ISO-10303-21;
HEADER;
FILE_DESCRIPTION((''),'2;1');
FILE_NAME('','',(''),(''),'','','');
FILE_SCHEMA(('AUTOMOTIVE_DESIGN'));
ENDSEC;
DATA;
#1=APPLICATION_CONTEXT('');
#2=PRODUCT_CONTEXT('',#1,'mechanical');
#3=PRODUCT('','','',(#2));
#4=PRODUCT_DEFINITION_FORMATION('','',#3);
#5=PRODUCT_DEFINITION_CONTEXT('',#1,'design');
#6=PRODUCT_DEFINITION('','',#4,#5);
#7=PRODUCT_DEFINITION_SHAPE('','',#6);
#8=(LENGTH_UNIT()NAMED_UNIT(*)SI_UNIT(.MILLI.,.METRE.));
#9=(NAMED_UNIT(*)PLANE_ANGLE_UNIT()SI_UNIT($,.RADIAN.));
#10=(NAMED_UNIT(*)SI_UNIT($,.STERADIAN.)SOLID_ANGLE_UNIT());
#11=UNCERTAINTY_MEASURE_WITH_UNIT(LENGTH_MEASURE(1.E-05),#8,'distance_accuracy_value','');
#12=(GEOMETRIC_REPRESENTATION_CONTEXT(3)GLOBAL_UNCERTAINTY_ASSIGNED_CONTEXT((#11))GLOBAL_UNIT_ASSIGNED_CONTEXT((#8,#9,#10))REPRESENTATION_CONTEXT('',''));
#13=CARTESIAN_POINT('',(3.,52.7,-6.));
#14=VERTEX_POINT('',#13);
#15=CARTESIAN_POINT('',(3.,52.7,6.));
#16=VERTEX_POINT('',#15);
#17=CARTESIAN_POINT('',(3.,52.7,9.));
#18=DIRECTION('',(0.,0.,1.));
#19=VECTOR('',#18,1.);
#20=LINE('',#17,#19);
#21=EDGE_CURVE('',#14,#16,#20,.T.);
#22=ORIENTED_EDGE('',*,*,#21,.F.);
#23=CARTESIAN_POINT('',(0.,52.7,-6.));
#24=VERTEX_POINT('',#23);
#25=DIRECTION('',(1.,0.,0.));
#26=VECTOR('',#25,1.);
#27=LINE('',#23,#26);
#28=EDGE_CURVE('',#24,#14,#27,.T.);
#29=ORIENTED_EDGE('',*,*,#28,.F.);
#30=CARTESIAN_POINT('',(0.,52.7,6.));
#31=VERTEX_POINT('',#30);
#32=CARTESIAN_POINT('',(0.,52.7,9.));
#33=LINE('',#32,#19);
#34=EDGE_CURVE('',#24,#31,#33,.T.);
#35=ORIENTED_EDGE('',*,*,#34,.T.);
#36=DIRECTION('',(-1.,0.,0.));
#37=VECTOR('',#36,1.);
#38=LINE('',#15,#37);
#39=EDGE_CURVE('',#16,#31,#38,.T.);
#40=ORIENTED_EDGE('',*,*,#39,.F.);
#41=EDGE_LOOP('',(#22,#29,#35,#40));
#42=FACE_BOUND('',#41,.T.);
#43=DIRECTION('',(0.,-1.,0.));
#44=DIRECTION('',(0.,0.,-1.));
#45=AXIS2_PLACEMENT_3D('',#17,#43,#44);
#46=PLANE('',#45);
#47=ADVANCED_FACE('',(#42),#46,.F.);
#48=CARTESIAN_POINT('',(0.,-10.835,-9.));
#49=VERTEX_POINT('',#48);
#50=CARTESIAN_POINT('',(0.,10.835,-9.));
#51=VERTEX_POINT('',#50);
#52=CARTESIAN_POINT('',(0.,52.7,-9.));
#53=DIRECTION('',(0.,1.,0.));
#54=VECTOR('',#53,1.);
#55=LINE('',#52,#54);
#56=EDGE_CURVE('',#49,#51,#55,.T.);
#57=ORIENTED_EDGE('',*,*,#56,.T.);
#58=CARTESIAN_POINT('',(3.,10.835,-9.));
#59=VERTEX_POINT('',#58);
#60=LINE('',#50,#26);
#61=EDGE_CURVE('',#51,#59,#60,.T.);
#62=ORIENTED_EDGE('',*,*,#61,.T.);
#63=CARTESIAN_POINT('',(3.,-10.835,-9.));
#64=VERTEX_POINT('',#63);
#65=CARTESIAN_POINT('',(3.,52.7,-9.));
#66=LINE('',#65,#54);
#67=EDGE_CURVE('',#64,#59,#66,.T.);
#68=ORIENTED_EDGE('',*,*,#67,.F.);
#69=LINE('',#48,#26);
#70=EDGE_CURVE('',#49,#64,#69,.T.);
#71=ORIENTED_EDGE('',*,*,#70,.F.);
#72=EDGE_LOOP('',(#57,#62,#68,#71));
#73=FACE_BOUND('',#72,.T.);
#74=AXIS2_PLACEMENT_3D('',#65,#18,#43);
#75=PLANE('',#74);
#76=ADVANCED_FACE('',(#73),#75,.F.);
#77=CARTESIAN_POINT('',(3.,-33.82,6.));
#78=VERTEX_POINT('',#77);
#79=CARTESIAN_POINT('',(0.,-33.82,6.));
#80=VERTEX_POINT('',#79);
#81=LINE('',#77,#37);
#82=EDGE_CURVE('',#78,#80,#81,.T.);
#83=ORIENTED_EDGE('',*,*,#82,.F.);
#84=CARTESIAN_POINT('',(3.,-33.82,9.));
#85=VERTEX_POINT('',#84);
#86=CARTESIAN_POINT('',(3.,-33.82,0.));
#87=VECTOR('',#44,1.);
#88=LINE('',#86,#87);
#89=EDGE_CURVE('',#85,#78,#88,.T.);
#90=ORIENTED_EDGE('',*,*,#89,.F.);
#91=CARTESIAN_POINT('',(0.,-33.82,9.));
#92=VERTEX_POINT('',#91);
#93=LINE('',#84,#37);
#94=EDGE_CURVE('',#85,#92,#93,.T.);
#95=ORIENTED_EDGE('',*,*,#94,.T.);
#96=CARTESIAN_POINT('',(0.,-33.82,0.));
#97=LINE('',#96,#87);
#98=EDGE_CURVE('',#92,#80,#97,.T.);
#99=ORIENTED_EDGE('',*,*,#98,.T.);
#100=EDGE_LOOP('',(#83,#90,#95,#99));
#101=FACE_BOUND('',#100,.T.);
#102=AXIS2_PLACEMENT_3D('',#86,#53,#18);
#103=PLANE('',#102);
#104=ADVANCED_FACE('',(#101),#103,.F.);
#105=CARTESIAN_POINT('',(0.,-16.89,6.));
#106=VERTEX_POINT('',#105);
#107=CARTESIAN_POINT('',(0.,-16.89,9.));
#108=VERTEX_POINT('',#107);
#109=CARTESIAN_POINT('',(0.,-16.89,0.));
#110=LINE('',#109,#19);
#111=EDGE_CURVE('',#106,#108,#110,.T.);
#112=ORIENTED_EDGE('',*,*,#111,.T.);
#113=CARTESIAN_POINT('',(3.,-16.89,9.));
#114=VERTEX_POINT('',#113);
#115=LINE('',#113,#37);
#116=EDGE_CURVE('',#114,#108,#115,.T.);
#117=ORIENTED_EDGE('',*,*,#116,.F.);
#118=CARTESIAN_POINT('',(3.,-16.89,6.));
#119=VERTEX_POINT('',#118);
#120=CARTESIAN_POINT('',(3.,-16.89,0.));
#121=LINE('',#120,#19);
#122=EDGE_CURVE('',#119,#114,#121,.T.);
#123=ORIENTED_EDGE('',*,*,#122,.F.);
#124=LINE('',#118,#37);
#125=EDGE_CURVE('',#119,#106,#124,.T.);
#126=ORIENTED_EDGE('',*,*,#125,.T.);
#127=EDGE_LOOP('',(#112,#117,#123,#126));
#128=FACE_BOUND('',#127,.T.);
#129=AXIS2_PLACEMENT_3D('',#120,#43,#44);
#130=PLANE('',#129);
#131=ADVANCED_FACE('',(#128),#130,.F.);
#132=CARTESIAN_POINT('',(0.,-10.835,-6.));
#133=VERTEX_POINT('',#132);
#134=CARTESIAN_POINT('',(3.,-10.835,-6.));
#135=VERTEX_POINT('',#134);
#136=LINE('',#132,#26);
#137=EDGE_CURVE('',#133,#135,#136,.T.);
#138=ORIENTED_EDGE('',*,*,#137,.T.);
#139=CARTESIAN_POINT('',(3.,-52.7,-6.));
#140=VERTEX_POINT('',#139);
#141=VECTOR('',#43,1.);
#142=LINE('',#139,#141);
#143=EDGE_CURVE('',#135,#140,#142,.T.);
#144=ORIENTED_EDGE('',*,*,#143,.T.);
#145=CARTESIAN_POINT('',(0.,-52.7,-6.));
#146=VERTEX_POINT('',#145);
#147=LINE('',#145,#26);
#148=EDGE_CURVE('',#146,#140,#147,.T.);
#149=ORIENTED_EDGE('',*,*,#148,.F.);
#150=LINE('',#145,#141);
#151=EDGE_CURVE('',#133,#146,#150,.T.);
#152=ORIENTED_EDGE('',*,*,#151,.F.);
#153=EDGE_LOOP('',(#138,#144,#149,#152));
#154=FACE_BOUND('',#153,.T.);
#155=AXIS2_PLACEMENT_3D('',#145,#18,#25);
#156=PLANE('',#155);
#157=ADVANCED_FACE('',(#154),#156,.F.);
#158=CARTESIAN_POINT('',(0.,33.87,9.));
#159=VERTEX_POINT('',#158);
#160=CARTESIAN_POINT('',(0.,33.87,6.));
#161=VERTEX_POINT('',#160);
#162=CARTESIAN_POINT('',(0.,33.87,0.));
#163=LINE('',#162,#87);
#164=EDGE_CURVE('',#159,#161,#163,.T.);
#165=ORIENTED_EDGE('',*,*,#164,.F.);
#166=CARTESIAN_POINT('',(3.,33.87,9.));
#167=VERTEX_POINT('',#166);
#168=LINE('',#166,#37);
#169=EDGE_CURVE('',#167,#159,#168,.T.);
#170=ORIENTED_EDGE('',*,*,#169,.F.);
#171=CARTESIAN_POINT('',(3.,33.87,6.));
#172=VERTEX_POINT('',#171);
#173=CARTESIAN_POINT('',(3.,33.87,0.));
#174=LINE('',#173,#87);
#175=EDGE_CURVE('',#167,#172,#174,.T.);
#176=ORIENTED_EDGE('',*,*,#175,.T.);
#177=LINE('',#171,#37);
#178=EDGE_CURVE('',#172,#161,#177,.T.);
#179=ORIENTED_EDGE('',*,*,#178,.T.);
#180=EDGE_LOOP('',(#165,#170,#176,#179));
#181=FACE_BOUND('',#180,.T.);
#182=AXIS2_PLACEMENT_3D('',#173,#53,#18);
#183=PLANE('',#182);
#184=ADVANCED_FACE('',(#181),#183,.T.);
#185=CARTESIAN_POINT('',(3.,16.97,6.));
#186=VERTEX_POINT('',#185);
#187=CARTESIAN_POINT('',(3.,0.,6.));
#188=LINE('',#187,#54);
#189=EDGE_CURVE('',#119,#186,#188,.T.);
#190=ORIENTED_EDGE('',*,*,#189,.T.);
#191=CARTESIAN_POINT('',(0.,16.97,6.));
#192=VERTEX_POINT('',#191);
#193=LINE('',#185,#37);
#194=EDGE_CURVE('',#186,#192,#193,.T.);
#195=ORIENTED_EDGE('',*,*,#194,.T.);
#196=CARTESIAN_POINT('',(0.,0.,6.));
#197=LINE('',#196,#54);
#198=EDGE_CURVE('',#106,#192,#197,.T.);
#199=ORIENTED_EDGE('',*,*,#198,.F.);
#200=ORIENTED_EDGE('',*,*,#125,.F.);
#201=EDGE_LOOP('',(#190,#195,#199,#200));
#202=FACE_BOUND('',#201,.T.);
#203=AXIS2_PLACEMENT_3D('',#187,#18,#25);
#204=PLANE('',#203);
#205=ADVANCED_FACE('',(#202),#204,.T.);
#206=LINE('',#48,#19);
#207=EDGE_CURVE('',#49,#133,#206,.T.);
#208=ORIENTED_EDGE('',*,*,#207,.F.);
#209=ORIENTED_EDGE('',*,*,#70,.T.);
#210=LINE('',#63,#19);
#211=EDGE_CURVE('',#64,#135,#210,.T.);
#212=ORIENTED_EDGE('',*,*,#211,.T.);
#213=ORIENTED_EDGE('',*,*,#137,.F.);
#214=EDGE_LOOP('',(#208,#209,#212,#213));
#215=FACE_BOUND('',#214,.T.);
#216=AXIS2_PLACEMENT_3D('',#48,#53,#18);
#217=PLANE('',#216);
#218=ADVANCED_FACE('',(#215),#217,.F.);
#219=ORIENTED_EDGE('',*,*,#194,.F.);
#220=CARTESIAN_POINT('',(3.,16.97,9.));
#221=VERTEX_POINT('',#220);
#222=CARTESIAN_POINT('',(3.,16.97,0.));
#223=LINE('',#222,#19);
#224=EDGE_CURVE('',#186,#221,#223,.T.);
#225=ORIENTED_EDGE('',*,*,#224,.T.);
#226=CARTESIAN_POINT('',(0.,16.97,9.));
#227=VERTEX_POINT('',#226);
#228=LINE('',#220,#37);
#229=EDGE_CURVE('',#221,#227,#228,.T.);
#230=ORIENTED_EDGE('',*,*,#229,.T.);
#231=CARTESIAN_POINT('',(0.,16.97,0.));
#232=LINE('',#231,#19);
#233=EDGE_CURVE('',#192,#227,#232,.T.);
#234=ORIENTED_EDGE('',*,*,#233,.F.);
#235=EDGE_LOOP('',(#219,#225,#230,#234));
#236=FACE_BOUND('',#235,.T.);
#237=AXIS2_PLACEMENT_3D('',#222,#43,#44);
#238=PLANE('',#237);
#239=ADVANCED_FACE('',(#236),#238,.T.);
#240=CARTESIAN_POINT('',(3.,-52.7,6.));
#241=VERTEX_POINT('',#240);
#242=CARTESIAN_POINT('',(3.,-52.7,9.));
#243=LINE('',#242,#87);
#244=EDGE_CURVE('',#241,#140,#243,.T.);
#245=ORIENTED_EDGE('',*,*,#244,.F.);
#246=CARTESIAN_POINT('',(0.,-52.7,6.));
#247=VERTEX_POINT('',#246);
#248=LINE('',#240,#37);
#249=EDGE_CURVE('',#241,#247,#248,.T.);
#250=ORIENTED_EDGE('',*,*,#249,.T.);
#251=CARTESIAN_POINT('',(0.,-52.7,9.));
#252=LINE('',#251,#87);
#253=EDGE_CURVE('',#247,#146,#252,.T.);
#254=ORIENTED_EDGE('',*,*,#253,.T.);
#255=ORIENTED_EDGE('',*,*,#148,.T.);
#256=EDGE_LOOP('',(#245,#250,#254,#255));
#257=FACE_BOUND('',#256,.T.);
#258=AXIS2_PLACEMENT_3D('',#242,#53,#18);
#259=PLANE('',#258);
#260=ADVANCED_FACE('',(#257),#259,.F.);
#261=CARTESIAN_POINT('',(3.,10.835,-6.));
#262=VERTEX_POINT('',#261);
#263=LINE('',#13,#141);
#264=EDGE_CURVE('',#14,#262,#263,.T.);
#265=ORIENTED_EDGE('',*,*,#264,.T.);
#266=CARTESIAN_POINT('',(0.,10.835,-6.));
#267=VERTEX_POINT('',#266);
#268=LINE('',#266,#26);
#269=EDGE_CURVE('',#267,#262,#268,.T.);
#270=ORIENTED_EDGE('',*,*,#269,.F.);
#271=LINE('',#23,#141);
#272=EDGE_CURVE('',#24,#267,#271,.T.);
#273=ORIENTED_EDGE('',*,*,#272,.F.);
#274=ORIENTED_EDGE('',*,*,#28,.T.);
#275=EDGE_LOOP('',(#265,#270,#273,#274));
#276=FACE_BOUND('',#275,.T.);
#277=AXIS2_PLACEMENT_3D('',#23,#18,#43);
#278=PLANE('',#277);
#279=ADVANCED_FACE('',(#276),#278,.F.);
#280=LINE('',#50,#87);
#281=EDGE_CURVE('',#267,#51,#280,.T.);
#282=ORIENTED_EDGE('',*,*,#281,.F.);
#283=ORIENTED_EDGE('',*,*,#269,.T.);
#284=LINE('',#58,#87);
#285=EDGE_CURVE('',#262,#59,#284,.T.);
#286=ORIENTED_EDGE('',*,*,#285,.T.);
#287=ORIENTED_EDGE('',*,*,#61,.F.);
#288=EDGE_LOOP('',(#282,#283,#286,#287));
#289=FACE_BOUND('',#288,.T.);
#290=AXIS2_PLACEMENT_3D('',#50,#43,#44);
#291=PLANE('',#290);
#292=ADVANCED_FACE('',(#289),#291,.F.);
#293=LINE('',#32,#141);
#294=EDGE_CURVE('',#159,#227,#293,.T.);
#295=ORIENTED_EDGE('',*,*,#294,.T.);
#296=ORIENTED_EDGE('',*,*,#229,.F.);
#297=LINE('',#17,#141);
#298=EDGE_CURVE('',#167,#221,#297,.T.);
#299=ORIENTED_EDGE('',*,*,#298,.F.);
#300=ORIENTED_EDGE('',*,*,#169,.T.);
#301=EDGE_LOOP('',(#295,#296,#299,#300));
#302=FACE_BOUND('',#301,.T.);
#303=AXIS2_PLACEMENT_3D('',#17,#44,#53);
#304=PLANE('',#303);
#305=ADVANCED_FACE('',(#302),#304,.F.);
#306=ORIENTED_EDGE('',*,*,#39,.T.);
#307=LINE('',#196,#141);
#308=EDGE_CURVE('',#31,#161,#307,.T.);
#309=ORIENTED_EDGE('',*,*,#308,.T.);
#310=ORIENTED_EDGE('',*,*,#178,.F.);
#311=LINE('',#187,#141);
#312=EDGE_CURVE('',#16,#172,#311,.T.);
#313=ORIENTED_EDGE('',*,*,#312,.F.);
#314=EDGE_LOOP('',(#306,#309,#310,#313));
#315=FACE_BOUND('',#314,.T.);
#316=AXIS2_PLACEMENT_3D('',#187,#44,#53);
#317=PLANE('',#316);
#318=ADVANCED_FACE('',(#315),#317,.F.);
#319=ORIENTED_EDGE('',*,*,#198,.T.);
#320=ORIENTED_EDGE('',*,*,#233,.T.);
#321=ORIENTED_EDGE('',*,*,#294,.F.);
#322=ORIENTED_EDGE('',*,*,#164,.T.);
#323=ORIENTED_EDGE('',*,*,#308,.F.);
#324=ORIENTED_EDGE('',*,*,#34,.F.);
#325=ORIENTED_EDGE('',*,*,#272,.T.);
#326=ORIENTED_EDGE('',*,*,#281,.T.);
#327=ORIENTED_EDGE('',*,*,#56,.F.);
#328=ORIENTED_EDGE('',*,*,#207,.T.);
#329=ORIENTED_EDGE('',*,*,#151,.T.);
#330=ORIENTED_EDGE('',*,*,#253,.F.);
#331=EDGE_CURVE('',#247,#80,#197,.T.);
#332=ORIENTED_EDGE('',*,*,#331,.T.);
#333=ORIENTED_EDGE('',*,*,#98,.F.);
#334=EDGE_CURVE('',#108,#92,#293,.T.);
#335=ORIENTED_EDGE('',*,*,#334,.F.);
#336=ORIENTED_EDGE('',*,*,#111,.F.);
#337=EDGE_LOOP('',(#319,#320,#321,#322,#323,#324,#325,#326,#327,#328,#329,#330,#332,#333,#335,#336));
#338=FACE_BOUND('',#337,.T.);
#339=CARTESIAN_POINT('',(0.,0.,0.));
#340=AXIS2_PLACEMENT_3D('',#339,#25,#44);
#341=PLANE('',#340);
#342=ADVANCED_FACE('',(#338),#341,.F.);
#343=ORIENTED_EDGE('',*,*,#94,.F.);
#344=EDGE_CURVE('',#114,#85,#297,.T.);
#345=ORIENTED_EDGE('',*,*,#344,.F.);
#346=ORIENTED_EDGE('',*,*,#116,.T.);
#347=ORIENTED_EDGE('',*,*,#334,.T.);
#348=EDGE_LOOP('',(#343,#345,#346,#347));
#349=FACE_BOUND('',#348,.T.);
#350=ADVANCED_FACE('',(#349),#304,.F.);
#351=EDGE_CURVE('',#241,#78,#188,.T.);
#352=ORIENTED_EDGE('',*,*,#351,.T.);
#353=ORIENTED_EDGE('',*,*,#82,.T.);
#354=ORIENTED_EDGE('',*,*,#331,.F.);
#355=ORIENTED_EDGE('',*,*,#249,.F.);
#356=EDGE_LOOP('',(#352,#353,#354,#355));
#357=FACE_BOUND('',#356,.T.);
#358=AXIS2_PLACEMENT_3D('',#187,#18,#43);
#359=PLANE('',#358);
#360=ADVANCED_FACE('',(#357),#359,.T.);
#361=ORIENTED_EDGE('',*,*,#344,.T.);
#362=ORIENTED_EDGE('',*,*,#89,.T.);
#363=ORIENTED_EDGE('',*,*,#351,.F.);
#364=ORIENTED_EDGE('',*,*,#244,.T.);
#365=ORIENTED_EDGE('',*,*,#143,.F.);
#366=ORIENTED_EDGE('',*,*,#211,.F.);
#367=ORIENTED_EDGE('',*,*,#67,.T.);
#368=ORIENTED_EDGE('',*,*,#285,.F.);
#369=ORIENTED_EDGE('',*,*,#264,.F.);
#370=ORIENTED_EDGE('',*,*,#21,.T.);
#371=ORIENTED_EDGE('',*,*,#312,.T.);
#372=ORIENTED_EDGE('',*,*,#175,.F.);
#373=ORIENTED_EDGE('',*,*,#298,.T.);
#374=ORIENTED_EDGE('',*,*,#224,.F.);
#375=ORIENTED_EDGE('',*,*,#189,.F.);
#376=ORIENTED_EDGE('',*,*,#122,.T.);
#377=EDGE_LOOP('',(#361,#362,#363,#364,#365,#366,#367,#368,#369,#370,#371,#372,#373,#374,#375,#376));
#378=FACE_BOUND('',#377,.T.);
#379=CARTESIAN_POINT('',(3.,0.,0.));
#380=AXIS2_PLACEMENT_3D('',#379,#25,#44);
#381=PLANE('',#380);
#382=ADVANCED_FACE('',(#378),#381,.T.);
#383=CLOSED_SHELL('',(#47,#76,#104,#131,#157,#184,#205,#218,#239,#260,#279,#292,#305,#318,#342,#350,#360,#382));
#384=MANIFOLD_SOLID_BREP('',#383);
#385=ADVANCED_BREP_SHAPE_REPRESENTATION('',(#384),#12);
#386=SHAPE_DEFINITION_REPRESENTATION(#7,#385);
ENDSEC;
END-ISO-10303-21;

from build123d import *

# Parameters (mm, degrees)
SKETCH1_W           = 18
SKETCH1_H           = 105.4
BOSS_EXTRUDE1_DEPTH = 3
SKETCH3_W           = 3
SKETCH3_H           = 41.865
CUT_EXTRUDE2_DEPTH  = 3
SKETCH5_W           = 3
SKETCH5_H           = 18.88
SKETCH5_H_2         = 33.86
SKETCH5_H_3         = 18.83
CUT_EXTRUDE5_DEPTH  = 3


with BuildPart() as part:
    # Sketch1 → Boss-Extrude1 (new body)
    with BuildSketch(Plane(origin=(0, 0, 0), x_dir=(0, 0, -1), z_dir=(1, 0, 0))):
        Rectangle(SKETCH1_W, SKETCH1_H)
    extrude(amount=BOSS_EXTRUDE1_DEPTH)

    # Sketch3 → Cut-Extrude2 (cut)
    with BuildSketch(Plane(origin=(3, 0, 0), x_dir=(0, 0, -1), z_dir=(1, 0, 0))):
        with Locations((7.5, -31.7675)):
            Rectangle(SKETCH3_W, SKETCH3_H)
        with Locations((7.5, 31.7675)):
            Rectangle(SKETCH3_W, SKETCH3_H)
    extrude(amount=-CUT_EXTRUDE2_DEPTH, mode=Mode.SUBTRACT)

    # Sketch5 → Cut-Extrude5 (cut)
    with BuildSketch(Plane.ZY):
        with Locations((7.5, -43.26)):
            Rectangle(SKETCH5_W, SKETCH5_H)
        with Locations((7.5, 0.04)):
            Rectangle(SKETCH5_W, SKETCH5_H_2)
        with Locations((7.5, 43.285)):
            Rectangle(SKETCH5_W, SKETCH5_H_3)
    extrude(amount=-CUT_EXTRUDE5_DEPTH, mode=Mode.SUBTRACT)


solid = part.part
